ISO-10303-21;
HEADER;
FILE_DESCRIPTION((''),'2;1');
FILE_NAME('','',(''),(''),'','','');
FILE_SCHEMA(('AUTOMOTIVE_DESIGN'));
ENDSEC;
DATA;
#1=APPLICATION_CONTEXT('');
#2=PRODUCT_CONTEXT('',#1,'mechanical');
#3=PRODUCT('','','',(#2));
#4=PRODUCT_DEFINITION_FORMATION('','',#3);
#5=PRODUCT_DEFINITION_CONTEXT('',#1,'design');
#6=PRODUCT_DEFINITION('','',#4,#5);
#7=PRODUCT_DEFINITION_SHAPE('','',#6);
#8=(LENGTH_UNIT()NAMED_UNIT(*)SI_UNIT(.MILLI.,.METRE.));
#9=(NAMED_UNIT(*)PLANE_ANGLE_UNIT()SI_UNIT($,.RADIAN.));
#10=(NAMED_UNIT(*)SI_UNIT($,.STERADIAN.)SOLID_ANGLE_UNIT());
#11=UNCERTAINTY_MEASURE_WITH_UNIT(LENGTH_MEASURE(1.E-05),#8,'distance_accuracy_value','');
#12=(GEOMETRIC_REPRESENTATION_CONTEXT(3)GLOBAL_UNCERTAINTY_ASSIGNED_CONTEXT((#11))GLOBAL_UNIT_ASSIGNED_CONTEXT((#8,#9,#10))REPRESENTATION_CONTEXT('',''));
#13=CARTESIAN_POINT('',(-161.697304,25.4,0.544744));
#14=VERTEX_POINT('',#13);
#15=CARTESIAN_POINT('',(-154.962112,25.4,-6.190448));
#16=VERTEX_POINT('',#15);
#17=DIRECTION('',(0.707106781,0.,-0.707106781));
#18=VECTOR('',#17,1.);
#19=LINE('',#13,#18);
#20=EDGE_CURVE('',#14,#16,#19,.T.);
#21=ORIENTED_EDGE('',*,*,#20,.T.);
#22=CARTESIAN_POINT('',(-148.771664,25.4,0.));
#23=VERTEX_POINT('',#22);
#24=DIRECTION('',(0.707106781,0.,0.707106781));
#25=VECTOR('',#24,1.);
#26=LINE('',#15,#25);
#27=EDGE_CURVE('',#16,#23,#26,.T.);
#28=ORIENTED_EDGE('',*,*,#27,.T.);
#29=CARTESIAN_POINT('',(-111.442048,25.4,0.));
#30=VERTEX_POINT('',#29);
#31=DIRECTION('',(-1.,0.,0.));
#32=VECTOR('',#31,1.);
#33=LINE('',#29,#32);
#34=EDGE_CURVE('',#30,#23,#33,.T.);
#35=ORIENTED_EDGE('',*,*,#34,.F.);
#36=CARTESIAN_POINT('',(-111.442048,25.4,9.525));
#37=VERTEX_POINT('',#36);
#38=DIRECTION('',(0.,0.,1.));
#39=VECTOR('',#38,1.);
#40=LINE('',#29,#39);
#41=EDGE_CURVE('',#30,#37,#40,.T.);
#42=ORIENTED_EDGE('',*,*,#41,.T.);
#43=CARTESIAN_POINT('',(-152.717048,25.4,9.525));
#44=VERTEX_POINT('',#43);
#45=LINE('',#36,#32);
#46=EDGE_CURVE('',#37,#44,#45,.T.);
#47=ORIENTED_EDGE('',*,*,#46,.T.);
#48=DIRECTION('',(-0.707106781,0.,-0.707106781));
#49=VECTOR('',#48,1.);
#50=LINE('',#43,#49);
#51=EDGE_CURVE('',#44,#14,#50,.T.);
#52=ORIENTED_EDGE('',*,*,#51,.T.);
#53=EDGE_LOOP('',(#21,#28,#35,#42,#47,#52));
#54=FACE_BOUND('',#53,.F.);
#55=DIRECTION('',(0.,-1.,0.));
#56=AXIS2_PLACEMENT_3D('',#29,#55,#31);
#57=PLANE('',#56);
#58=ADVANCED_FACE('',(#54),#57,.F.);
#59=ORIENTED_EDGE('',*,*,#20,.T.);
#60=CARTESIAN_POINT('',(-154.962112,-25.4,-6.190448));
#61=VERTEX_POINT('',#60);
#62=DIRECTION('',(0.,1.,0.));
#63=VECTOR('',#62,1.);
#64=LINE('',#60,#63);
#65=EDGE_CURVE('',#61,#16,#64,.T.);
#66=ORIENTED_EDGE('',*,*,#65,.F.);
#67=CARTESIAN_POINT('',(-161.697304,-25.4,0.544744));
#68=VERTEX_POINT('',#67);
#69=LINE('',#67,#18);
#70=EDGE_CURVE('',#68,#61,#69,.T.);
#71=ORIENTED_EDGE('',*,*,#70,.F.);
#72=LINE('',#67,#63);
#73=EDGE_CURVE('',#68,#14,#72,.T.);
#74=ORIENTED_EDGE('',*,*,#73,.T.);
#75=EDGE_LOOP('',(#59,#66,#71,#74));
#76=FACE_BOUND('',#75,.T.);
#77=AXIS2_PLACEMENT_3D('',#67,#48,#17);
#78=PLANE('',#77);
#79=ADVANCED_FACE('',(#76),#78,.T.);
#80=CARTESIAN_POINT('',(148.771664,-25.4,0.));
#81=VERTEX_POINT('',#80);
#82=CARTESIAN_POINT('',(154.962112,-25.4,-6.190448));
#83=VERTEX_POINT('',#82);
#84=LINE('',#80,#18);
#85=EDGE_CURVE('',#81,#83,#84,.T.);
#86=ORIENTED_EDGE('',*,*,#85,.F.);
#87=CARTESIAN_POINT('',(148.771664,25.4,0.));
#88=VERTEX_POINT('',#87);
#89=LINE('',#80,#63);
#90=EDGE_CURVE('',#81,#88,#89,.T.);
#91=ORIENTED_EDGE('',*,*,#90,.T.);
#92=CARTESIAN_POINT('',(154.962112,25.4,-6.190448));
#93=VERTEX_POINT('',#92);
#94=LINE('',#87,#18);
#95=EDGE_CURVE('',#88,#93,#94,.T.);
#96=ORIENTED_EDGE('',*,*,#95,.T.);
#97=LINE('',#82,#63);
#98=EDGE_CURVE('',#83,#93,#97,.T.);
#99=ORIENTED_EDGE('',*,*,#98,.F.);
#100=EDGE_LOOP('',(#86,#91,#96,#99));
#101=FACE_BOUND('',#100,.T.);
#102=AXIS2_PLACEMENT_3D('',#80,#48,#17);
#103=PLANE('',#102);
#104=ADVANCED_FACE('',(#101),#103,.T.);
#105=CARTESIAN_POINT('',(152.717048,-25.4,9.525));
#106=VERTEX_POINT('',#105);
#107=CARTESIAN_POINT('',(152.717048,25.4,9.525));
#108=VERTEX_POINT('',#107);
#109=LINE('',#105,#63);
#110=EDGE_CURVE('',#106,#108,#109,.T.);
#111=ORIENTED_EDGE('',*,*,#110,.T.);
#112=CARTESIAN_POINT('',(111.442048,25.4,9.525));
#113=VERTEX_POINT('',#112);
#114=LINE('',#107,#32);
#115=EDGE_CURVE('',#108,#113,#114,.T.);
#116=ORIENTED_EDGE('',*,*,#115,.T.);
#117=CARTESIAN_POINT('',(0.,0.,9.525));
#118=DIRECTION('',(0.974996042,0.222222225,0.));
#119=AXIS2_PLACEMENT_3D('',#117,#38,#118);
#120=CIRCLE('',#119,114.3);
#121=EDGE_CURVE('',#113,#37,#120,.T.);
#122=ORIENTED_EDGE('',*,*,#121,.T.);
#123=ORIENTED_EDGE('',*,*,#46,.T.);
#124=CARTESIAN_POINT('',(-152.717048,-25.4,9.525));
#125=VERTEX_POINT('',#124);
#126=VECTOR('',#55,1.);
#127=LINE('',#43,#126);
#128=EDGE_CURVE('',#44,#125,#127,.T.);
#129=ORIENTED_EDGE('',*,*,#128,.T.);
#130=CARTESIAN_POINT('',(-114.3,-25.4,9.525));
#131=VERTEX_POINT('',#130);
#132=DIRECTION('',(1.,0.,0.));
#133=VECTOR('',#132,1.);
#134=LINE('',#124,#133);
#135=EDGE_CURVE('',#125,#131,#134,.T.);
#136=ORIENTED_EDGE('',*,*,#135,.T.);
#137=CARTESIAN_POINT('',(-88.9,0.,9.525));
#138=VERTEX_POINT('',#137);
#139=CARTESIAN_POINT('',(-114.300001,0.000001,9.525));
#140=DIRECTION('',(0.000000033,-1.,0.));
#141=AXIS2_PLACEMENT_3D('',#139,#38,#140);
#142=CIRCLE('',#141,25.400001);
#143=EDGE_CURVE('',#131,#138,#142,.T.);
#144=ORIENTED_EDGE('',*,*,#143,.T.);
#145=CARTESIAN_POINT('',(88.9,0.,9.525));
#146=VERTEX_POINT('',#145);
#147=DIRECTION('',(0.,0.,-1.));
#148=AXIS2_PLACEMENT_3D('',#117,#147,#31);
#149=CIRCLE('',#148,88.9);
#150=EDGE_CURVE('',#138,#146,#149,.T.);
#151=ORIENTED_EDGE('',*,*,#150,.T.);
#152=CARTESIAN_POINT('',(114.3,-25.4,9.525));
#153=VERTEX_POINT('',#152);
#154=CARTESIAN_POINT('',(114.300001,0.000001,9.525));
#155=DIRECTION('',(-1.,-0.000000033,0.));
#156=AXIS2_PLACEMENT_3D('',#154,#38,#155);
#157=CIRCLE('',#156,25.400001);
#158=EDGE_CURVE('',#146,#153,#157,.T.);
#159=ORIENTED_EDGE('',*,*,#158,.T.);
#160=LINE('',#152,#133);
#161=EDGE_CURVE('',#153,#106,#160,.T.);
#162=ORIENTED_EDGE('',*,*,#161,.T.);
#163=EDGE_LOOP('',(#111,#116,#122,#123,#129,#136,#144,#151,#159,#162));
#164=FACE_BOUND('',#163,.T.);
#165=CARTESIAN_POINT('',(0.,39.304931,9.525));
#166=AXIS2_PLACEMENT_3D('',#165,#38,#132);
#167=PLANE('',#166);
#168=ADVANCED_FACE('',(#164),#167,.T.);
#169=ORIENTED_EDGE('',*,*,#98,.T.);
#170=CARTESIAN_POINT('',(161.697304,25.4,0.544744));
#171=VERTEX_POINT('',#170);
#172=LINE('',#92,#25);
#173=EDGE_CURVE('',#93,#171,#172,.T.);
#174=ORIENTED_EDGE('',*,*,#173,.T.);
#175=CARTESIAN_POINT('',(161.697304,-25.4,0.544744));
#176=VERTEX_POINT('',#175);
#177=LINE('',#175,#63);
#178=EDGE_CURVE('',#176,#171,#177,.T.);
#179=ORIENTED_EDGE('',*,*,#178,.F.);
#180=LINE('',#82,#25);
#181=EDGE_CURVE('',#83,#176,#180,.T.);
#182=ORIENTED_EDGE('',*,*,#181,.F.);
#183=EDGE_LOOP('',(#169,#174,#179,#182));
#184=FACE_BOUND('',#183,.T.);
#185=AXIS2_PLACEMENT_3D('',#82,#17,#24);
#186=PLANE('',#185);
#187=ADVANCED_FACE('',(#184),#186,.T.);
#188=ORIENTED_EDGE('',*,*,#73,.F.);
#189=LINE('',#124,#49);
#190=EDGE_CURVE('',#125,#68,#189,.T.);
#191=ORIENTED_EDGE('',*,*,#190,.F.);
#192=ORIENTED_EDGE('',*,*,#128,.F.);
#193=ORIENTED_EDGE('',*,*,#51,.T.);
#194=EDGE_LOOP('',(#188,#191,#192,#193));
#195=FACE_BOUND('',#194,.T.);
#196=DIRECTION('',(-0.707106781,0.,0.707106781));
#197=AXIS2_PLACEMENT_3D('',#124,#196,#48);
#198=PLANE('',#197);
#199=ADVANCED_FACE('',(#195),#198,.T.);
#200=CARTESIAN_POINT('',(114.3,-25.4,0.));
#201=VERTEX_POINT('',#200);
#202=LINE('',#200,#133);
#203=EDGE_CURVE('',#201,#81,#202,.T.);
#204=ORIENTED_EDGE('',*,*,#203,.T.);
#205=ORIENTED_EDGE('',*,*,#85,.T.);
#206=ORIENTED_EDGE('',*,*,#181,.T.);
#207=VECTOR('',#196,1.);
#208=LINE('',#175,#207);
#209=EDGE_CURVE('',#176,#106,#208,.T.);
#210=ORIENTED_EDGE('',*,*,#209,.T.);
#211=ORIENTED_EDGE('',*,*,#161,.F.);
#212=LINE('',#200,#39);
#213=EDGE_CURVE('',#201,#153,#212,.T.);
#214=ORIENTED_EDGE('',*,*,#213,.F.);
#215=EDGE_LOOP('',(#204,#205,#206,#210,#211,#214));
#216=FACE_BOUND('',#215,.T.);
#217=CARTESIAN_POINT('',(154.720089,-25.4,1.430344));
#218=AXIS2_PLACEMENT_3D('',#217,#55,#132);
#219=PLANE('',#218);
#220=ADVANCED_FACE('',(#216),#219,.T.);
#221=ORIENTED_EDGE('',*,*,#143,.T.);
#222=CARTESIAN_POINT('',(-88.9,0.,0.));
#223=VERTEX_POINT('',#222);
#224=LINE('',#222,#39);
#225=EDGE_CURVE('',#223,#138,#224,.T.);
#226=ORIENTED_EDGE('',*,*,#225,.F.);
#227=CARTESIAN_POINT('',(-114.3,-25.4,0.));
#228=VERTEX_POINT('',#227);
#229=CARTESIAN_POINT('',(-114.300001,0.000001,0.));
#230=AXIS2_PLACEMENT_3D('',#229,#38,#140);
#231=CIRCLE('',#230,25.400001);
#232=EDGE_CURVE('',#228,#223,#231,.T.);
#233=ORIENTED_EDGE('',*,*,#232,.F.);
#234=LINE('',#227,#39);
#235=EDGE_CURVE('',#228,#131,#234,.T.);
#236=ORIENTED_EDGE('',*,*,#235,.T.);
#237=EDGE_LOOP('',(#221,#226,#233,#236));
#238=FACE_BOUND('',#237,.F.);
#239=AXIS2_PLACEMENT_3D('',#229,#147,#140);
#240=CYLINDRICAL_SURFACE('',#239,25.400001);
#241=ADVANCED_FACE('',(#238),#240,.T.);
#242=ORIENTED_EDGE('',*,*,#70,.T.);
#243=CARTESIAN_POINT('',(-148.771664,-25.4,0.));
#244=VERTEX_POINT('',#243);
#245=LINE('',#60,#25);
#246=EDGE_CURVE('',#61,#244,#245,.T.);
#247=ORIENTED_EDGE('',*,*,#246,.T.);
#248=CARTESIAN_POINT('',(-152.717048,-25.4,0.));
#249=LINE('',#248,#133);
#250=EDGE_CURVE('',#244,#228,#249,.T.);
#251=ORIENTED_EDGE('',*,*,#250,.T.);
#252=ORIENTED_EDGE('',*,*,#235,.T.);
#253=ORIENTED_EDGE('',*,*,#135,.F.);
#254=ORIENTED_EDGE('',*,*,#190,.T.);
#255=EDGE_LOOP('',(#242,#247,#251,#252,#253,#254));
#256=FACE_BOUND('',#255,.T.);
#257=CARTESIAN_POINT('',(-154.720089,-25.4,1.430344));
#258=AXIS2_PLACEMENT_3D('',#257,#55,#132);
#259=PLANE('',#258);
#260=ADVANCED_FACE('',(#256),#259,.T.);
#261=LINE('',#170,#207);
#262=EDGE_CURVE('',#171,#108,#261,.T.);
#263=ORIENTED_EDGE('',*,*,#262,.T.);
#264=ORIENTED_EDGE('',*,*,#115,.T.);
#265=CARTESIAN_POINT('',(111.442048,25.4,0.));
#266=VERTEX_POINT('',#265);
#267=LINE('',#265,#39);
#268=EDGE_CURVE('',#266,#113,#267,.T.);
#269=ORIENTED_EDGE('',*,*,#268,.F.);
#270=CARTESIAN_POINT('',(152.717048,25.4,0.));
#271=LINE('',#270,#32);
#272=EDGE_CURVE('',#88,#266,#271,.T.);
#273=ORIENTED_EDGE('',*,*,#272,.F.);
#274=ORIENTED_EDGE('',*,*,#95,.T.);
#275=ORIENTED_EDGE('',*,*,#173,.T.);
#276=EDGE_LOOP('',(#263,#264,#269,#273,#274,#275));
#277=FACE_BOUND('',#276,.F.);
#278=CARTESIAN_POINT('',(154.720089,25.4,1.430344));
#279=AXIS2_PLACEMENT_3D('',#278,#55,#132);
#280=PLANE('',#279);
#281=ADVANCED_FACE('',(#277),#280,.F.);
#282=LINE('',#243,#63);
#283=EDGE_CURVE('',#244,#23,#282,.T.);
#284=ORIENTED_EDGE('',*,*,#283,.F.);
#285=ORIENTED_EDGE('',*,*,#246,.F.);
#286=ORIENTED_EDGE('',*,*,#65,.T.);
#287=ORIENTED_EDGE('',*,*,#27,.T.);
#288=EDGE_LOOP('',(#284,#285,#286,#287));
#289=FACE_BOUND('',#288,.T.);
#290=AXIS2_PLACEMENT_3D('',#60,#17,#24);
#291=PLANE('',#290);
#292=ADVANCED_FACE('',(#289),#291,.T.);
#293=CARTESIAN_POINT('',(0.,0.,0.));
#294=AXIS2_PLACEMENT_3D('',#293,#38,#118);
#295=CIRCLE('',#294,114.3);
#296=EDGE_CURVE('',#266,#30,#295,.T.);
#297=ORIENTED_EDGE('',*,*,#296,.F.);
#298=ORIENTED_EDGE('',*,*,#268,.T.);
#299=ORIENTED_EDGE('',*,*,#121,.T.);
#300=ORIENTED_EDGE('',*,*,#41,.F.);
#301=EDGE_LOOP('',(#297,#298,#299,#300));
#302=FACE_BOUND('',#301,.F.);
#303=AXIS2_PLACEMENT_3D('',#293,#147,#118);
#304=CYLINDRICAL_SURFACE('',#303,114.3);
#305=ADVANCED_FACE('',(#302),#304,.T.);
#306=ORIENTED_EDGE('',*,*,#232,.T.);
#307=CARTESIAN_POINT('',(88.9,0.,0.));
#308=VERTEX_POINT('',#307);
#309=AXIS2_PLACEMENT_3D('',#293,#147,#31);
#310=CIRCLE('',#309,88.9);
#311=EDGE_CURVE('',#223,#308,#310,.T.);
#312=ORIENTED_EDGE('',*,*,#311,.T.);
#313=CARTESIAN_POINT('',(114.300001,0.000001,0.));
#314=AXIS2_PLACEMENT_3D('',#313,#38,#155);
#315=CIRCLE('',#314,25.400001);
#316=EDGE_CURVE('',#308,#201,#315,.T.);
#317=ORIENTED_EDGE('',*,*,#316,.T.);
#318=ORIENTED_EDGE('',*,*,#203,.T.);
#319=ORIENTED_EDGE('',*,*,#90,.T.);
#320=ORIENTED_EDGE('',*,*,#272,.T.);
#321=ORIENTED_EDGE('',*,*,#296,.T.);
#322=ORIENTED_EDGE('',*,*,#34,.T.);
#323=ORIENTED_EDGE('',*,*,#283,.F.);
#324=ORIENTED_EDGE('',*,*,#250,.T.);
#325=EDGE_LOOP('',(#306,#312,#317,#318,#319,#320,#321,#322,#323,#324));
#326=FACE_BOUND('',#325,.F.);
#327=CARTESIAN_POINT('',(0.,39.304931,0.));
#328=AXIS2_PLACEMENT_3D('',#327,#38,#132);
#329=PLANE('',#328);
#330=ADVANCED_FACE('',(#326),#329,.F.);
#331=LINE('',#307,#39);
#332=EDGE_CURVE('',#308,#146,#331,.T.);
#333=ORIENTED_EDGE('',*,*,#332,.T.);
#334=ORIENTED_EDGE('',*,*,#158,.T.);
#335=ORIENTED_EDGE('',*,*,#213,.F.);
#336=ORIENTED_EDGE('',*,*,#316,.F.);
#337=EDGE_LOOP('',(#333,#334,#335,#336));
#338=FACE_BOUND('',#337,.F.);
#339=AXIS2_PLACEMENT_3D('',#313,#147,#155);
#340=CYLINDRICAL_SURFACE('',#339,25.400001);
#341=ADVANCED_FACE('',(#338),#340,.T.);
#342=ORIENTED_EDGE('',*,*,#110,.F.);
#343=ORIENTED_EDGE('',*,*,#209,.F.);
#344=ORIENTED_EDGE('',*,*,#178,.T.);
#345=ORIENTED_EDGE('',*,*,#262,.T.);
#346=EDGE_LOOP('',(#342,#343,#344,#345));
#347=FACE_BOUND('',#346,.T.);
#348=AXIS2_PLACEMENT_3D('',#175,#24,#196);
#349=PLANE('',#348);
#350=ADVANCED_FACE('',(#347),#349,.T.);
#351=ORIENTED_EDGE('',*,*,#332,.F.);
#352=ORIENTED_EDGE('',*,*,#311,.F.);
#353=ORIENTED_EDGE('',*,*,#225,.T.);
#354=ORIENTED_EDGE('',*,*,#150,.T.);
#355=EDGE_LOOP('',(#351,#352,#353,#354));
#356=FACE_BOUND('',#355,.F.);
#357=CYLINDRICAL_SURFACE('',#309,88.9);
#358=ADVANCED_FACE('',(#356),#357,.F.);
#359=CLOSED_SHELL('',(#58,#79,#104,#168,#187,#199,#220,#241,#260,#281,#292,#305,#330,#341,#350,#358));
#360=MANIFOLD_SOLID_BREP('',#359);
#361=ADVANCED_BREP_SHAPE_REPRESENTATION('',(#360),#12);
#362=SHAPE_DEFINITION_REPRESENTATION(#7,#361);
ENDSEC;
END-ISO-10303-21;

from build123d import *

# Parameters (mm, degrees)
F1_DEPTH = 9.525
F3_DEPTH = 50.8
F5_DEPTH = 50.8


with BuildPart() as f1:
    # F0 (on Top) → F1 (new body)
    with BuildSketch(Plane.XY):
        with BuildLine():
            ThreePointArc((-88.9, 0), (0, 88.9), (88.9, 0))
            ThreePointArc((88.9, 0), (96.339488, -17.960512), (114.3, -25.4))
            Line((114.3, -25.4), (152.717048, -25.4))
            Line((152.717048, -25.4), (152.717048, 25.4))
            Line((152.717048, 25.4), (111.442048, 25.4))
            ThreePointArc((111.442048, 25.4), (0, 114.3), (-111.442048, 25.4))
            Line((-111.442048, 25.4), (-152.717048, 25.4))
            Line((-152.717048, 25.4), (-152.717048, -25.4))
            Line((-152.717048, -25.4), (-114.3, -25.4))
            ThreePointArc((-114.3, -25.4), (-96.339488, -17.960512), (-88.9, 0))
        make_face()
    extrude(amount=F1_DEPTH)

    # F2 (on face) → F3 (join, through all)
    with BuildSketch(Plane.XZ.offset(25.4)):
        Polygon((161.697304, 0.544744), (152.717048, 9.525), (148.771664, 0), (154.962112, -6.190448), align=None)
    extrude(amount=-F3_DEPTH)

    # F4 (on face) → F5 (join, through all)
    with BuildSketch(Plane.XZ.offset(25.4)):
        Polygon((-148.771664, 0), (-152.717048, 9.525), (-161.697304, 0.544744), (-154.962112, -6.190448), align=None)
    extrude(amount=-F5_DEPTH)


solid = f1.part
